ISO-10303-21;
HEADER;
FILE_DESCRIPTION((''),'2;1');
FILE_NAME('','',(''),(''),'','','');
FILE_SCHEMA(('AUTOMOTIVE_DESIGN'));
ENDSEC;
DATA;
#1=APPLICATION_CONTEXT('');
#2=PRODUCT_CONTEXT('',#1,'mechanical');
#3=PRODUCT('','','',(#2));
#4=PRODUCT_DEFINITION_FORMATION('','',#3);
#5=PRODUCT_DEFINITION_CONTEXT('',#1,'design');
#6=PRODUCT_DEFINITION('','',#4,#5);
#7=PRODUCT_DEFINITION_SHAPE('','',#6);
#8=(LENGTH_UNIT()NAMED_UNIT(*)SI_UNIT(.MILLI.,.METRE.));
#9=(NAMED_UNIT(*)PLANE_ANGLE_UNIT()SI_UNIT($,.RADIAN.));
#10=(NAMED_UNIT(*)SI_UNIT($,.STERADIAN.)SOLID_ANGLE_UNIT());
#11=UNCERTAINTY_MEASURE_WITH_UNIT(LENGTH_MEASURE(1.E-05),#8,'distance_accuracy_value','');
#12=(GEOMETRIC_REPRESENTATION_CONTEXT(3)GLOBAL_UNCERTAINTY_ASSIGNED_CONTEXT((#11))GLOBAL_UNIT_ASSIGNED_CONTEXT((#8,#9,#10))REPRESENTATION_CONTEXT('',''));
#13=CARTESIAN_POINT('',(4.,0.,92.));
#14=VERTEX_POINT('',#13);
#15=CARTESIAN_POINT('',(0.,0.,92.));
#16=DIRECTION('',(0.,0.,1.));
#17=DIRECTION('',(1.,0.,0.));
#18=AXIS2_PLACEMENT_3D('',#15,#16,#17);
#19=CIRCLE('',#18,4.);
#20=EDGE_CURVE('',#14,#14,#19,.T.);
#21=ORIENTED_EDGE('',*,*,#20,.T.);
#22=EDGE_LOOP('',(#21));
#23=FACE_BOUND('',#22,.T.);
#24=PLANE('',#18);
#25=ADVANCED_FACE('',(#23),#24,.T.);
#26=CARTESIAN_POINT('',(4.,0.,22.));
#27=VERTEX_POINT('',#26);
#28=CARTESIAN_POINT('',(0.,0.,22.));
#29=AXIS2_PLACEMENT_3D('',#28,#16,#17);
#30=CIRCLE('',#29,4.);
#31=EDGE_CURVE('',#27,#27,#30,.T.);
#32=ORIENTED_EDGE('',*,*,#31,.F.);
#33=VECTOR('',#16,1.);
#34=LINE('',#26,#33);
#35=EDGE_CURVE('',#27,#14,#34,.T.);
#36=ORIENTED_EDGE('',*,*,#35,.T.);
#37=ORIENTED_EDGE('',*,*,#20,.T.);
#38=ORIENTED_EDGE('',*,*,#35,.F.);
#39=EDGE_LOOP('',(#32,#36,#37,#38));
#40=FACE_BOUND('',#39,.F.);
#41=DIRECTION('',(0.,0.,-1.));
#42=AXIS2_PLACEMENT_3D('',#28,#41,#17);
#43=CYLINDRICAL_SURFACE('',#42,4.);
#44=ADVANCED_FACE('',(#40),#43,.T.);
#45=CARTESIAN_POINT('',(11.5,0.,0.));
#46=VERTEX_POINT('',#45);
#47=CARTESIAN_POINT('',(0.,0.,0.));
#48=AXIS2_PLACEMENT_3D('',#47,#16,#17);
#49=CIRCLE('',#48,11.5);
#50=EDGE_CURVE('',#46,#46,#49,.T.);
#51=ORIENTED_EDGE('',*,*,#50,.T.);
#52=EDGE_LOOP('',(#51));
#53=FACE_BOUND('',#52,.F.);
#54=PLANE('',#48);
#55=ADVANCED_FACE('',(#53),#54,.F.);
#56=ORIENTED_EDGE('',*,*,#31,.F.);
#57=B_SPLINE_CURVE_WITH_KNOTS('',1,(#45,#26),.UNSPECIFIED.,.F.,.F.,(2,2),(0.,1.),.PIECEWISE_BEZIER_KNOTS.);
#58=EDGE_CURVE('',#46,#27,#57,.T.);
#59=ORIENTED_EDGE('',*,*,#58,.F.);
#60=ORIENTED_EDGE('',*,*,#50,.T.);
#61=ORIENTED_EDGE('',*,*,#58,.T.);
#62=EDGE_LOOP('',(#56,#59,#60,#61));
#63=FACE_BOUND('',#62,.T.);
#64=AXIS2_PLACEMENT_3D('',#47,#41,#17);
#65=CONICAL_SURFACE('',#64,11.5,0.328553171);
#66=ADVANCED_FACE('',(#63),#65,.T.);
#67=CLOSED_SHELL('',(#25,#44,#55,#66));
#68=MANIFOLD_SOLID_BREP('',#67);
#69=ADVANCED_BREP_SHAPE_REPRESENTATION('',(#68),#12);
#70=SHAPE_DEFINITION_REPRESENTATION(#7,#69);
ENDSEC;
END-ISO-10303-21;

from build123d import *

# Parameters (mm, degrees)
F0_R     = 11.5
F2_R     = 4
F4_DEPTH = 70


with BuildPart() as f3:
    # F0 (on Top) → F3 section 0
    with BuildSketch(Plane.XY):
        Circle(F0_R)
    # F2 (on offset) → F3 section 1
    with BuildSketch(Plane.XY.offset(22)):
        Circle(F2_R)
    loft()

    # F4 (add): a face of the model
    f4_faces = [f3.faces().sort_by_distance(p)[0] for p in [
        (0, 0, 22),
    ]]
    extrude(f4_faces, amount=F4_DEPTH)


solid = f3.part
